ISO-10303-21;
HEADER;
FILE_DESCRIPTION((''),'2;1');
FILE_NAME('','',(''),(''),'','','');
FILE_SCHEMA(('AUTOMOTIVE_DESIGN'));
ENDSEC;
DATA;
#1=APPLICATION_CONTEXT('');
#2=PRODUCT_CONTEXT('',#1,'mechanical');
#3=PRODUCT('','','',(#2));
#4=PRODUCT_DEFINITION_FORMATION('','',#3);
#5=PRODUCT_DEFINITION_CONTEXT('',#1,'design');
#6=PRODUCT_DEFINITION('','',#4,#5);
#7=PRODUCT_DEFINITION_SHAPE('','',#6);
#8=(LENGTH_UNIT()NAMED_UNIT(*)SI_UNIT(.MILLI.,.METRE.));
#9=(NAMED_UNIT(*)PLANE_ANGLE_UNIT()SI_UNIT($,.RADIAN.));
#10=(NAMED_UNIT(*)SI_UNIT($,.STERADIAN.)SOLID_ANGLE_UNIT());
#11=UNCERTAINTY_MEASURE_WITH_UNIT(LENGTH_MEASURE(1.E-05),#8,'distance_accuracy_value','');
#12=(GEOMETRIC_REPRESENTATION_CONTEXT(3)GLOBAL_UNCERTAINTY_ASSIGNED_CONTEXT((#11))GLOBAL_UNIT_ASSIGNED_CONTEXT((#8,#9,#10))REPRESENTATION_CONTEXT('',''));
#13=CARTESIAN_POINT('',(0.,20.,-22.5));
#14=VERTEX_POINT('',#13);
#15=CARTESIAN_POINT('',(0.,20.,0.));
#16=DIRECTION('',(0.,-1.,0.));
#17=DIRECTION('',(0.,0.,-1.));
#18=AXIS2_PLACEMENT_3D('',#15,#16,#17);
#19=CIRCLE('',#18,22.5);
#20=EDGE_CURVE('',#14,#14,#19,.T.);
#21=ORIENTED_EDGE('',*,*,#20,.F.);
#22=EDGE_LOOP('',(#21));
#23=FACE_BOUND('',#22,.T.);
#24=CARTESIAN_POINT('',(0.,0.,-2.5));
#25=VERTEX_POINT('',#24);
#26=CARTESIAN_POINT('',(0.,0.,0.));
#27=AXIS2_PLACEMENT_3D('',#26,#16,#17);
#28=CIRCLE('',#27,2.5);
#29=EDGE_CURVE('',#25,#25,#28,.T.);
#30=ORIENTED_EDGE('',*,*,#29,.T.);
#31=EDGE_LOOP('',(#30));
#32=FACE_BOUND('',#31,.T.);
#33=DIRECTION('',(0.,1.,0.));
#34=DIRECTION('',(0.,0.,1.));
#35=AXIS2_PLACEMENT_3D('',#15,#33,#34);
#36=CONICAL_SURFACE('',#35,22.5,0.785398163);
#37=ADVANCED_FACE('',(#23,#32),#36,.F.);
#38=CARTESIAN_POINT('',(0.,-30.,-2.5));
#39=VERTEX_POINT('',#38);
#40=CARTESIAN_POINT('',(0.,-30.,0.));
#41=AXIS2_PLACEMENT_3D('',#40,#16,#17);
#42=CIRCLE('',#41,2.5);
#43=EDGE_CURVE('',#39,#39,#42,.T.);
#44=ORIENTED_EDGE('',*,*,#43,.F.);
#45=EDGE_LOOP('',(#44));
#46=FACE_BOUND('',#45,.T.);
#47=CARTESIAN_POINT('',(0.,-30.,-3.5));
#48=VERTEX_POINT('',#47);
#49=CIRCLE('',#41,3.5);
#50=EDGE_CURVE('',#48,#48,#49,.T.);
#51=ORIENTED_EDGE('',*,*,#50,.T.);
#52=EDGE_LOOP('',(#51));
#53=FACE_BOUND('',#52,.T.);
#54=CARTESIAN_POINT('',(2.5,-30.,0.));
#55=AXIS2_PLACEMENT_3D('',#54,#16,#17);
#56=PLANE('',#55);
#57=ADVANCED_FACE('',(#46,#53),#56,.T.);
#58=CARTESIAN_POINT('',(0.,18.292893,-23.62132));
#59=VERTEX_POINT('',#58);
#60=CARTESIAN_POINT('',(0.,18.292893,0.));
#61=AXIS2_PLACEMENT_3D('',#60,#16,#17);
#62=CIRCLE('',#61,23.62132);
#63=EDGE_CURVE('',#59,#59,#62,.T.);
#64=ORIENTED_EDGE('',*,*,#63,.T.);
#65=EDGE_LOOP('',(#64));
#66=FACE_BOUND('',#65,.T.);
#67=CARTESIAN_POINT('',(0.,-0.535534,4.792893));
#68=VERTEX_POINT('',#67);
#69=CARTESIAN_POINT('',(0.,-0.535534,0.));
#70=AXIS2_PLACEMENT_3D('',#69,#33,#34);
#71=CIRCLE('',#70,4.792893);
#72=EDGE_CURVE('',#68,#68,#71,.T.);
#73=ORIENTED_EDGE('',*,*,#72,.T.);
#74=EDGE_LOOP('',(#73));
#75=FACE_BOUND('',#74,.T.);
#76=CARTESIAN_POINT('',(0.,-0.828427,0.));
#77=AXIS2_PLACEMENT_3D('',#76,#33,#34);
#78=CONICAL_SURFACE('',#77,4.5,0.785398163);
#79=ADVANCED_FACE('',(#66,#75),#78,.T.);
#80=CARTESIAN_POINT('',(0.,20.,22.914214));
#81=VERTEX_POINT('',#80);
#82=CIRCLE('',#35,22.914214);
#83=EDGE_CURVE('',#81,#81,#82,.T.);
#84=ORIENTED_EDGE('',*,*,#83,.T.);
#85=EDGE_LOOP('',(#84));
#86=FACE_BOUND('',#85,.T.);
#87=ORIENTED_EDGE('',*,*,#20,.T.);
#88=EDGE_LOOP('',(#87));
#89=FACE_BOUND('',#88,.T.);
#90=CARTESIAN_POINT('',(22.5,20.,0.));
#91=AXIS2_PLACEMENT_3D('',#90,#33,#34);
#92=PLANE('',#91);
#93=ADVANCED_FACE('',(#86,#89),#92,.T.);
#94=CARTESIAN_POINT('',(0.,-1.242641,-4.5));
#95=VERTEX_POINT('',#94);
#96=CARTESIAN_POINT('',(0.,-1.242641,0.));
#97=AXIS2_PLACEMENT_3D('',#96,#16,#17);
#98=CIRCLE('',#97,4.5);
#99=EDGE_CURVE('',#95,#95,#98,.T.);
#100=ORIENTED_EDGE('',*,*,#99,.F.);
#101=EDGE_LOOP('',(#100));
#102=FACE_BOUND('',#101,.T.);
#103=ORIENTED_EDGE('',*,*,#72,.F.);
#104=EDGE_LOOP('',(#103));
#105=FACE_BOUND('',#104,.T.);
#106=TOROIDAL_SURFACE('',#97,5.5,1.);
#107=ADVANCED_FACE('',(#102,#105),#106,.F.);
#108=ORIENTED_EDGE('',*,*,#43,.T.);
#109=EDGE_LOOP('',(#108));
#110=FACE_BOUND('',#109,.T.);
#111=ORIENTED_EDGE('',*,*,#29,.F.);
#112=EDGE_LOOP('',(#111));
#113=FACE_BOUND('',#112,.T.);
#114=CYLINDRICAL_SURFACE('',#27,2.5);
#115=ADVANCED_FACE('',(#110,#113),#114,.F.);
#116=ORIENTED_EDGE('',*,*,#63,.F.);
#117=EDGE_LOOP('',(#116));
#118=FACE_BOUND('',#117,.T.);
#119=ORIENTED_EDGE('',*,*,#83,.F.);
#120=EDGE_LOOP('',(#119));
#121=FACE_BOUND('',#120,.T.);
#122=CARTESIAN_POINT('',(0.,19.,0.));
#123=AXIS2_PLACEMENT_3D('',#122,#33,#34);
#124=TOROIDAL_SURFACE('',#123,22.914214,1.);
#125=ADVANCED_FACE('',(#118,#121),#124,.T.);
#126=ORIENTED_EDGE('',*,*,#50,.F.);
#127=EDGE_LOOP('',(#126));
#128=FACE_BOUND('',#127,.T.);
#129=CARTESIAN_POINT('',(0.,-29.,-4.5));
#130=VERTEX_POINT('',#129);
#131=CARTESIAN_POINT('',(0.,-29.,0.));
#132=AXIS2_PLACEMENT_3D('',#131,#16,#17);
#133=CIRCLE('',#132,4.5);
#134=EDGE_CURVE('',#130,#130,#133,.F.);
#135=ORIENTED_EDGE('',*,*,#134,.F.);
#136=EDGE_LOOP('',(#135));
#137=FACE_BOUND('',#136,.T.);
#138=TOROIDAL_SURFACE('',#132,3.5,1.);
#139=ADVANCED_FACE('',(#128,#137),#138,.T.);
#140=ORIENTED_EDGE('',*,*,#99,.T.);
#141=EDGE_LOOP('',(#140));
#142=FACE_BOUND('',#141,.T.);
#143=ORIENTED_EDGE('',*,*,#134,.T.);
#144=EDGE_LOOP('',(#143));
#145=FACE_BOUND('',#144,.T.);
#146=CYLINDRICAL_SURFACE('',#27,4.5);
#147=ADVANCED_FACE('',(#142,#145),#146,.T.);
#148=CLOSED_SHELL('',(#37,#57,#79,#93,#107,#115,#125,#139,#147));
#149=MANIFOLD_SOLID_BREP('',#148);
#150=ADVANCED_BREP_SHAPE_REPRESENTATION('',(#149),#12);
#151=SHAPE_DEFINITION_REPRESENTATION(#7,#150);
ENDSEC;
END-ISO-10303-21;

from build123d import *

# Parameters (mm, degrees)
FILLET_1_R = 1


with BuildPart() as part:
    # Эскиз1 → Повернуть1 (revolve)
    with BuildSketch(Plane.XY):
        Polygon((2.5, 0), (2.5, -30), (4.5, -30), (4.5, -0.828427125), (25.328427125, 20), (22.5, 20), align=None)
    revolve(axis=Axis((0, 0, 0), (0, 1, 0)))

    # Скругление1
    fillet_1_edges = [part.edges().sort_by_distance(p)[0] for p in [
        (-4.5, -30, 0),
        (-4.5, -0.828427125, 0),
        (-25.328427125, 20, 0),
    ]]
    fillet(fillet_1_edges, radius=FILLET_1_R)


solid = part.part
